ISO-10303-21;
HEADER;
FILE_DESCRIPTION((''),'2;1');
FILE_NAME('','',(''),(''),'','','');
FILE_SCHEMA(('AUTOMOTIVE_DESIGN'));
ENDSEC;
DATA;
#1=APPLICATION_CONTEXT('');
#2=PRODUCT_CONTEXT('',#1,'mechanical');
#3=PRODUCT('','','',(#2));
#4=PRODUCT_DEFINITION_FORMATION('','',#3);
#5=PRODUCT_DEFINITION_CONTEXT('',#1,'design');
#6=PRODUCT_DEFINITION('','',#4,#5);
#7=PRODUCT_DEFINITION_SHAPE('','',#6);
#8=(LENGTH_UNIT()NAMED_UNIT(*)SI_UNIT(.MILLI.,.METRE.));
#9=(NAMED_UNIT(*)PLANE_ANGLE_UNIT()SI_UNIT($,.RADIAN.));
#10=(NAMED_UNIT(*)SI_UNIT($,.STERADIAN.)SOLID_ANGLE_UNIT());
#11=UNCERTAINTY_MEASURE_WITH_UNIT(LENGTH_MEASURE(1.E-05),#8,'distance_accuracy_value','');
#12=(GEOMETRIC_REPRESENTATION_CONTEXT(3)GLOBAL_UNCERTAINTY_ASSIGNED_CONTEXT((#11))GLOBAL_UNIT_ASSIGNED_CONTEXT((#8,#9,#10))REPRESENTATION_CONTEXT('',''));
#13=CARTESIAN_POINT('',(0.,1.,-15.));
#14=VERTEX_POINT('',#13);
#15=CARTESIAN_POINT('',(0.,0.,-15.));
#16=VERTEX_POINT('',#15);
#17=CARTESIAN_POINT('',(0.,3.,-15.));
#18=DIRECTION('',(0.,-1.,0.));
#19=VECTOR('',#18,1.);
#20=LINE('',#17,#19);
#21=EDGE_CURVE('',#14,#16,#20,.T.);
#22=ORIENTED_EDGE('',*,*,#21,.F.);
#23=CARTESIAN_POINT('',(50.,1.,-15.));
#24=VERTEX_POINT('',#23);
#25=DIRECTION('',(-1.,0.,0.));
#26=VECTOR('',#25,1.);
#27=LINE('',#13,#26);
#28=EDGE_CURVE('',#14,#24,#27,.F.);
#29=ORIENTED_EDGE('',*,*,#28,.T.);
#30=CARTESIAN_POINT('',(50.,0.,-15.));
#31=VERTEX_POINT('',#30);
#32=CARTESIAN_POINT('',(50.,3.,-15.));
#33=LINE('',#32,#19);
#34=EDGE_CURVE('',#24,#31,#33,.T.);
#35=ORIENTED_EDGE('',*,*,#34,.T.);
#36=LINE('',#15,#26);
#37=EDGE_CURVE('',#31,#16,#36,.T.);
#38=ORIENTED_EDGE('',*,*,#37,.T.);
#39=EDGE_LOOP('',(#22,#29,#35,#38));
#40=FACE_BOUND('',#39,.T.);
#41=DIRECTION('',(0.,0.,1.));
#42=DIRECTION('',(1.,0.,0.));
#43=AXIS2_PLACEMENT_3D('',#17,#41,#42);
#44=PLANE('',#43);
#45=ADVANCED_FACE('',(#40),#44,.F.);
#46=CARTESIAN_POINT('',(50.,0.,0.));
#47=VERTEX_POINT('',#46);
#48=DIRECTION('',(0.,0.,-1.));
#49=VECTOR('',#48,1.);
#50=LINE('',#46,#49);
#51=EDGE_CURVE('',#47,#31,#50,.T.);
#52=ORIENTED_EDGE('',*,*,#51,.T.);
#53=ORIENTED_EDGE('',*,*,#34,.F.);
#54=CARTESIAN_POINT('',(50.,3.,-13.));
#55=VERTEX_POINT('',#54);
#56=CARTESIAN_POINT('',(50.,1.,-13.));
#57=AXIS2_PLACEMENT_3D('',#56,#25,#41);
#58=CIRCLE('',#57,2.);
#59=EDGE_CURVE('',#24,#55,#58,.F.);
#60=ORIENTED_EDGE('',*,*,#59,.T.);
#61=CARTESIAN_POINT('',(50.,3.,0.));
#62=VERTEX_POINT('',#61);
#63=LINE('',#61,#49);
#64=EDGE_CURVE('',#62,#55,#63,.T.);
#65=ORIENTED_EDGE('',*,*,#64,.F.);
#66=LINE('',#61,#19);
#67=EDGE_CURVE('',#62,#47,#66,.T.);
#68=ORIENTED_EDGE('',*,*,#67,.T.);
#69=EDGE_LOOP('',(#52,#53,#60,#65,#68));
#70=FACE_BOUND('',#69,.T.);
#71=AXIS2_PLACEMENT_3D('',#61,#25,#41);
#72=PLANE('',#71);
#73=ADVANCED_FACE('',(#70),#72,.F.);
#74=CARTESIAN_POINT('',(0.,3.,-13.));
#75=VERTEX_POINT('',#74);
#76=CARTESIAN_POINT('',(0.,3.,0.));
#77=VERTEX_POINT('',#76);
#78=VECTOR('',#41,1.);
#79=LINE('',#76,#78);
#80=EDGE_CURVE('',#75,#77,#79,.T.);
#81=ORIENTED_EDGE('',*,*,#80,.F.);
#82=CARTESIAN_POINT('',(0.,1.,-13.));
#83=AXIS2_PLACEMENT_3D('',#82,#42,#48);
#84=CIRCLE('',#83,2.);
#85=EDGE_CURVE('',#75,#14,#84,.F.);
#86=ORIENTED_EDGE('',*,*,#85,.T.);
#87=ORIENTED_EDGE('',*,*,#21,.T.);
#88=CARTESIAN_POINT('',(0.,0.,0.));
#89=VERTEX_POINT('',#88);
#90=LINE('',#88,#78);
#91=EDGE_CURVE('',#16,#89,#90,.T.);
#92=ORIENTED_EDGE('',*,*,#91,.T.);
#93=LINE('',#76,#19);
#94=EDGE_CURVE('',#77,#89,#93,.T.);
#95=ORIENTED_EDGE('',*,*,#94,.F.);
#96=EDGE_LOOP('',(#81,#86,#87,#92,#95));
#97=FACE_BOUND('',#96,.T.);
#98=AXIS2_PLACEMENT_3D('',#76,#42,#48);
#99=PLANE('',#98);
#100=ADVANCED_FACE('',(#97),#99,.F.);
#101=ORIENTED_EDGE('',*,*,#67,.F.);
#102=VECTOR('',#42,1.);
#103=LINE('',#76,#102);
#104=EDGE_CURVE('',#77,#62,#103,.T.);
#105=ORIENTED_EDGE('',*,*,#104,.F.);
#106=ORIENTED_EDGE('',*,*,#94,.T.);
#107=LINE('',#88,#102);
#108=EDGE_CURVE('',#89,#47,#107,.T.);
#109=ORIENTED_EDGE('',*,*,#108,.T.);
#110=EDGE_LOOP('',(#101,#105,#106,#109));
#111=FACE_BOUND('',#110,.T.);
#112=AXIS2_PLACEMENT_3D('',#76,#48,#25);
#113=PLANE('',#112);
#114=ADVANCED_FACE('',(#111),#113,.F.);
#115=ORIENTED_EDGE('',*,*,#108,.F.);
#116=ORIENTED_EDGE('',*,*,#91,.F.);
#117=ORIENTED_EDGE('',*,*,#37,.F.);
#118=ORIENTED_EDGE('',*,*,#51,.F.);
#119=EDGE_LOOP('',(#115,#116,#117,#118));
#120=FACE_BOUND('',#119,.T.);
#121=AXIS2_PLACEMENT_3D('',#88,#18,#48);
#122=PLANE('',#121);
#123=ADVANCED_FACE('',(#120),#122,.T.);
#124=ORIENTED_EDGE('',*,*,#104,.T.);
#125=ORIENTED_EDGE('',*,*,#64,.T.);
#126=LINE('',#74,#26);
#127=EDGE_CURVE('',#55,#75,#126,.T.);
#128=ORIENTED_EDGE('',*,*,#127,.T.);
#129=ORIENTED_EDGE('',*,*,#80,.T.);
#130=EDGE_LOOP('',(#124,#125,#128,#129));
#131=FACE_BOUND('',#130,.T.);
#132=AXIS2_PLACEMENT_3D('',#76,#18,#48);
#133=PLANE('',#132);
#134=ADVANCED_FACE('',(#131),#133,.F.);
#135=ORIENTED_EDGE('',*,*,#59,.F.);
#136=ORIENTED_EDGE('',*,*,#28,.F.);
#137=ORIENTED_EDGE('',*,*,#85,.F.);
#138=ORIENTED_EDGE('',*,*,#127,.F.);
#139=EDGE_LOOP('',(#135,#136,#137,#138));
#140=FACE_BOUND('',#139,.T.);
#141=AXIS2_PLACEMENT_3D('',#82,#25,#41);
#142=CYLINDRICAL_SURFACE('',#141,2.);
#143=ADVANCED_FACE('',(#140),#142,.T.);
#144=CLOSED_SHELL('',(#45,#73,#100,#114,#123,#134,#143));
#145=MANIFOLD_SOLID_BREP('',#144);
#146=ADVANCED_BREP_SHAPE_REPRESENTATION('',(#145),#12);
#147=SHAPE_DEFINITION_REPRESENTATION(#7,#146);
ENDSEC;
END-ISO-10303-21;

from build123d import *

# Parameters (mm, degrees)
SKETCH1_W           = 50
SKETCH1_H           = 15
BOSS_EXTRUDE1_DEPTH = 3
FILLET2_R           = 2


with BuildPart() as part:
    # Sketch1 → Boss-Extrude1 (new body)
    with BuildSketch(Plane(origin=(0, 0, 0), x_dir=(1, 0, 0), z_dir=(0, 1, 0))):
        with Locations((25, 7.5)):
            Rectangle(SKETCH1_W, SKETCH1_H)
    extrude(amount=BOSS_EXTRUDE1_DEPTH)

    # Fillet2
    fillet2_edges = [part.edges().sort_by_distance(p)[0] for p in [
        (25, 3, -15),
    ]]
    fillet(fillet2_edges, radius=FILLET2_R)


solid = part.part
